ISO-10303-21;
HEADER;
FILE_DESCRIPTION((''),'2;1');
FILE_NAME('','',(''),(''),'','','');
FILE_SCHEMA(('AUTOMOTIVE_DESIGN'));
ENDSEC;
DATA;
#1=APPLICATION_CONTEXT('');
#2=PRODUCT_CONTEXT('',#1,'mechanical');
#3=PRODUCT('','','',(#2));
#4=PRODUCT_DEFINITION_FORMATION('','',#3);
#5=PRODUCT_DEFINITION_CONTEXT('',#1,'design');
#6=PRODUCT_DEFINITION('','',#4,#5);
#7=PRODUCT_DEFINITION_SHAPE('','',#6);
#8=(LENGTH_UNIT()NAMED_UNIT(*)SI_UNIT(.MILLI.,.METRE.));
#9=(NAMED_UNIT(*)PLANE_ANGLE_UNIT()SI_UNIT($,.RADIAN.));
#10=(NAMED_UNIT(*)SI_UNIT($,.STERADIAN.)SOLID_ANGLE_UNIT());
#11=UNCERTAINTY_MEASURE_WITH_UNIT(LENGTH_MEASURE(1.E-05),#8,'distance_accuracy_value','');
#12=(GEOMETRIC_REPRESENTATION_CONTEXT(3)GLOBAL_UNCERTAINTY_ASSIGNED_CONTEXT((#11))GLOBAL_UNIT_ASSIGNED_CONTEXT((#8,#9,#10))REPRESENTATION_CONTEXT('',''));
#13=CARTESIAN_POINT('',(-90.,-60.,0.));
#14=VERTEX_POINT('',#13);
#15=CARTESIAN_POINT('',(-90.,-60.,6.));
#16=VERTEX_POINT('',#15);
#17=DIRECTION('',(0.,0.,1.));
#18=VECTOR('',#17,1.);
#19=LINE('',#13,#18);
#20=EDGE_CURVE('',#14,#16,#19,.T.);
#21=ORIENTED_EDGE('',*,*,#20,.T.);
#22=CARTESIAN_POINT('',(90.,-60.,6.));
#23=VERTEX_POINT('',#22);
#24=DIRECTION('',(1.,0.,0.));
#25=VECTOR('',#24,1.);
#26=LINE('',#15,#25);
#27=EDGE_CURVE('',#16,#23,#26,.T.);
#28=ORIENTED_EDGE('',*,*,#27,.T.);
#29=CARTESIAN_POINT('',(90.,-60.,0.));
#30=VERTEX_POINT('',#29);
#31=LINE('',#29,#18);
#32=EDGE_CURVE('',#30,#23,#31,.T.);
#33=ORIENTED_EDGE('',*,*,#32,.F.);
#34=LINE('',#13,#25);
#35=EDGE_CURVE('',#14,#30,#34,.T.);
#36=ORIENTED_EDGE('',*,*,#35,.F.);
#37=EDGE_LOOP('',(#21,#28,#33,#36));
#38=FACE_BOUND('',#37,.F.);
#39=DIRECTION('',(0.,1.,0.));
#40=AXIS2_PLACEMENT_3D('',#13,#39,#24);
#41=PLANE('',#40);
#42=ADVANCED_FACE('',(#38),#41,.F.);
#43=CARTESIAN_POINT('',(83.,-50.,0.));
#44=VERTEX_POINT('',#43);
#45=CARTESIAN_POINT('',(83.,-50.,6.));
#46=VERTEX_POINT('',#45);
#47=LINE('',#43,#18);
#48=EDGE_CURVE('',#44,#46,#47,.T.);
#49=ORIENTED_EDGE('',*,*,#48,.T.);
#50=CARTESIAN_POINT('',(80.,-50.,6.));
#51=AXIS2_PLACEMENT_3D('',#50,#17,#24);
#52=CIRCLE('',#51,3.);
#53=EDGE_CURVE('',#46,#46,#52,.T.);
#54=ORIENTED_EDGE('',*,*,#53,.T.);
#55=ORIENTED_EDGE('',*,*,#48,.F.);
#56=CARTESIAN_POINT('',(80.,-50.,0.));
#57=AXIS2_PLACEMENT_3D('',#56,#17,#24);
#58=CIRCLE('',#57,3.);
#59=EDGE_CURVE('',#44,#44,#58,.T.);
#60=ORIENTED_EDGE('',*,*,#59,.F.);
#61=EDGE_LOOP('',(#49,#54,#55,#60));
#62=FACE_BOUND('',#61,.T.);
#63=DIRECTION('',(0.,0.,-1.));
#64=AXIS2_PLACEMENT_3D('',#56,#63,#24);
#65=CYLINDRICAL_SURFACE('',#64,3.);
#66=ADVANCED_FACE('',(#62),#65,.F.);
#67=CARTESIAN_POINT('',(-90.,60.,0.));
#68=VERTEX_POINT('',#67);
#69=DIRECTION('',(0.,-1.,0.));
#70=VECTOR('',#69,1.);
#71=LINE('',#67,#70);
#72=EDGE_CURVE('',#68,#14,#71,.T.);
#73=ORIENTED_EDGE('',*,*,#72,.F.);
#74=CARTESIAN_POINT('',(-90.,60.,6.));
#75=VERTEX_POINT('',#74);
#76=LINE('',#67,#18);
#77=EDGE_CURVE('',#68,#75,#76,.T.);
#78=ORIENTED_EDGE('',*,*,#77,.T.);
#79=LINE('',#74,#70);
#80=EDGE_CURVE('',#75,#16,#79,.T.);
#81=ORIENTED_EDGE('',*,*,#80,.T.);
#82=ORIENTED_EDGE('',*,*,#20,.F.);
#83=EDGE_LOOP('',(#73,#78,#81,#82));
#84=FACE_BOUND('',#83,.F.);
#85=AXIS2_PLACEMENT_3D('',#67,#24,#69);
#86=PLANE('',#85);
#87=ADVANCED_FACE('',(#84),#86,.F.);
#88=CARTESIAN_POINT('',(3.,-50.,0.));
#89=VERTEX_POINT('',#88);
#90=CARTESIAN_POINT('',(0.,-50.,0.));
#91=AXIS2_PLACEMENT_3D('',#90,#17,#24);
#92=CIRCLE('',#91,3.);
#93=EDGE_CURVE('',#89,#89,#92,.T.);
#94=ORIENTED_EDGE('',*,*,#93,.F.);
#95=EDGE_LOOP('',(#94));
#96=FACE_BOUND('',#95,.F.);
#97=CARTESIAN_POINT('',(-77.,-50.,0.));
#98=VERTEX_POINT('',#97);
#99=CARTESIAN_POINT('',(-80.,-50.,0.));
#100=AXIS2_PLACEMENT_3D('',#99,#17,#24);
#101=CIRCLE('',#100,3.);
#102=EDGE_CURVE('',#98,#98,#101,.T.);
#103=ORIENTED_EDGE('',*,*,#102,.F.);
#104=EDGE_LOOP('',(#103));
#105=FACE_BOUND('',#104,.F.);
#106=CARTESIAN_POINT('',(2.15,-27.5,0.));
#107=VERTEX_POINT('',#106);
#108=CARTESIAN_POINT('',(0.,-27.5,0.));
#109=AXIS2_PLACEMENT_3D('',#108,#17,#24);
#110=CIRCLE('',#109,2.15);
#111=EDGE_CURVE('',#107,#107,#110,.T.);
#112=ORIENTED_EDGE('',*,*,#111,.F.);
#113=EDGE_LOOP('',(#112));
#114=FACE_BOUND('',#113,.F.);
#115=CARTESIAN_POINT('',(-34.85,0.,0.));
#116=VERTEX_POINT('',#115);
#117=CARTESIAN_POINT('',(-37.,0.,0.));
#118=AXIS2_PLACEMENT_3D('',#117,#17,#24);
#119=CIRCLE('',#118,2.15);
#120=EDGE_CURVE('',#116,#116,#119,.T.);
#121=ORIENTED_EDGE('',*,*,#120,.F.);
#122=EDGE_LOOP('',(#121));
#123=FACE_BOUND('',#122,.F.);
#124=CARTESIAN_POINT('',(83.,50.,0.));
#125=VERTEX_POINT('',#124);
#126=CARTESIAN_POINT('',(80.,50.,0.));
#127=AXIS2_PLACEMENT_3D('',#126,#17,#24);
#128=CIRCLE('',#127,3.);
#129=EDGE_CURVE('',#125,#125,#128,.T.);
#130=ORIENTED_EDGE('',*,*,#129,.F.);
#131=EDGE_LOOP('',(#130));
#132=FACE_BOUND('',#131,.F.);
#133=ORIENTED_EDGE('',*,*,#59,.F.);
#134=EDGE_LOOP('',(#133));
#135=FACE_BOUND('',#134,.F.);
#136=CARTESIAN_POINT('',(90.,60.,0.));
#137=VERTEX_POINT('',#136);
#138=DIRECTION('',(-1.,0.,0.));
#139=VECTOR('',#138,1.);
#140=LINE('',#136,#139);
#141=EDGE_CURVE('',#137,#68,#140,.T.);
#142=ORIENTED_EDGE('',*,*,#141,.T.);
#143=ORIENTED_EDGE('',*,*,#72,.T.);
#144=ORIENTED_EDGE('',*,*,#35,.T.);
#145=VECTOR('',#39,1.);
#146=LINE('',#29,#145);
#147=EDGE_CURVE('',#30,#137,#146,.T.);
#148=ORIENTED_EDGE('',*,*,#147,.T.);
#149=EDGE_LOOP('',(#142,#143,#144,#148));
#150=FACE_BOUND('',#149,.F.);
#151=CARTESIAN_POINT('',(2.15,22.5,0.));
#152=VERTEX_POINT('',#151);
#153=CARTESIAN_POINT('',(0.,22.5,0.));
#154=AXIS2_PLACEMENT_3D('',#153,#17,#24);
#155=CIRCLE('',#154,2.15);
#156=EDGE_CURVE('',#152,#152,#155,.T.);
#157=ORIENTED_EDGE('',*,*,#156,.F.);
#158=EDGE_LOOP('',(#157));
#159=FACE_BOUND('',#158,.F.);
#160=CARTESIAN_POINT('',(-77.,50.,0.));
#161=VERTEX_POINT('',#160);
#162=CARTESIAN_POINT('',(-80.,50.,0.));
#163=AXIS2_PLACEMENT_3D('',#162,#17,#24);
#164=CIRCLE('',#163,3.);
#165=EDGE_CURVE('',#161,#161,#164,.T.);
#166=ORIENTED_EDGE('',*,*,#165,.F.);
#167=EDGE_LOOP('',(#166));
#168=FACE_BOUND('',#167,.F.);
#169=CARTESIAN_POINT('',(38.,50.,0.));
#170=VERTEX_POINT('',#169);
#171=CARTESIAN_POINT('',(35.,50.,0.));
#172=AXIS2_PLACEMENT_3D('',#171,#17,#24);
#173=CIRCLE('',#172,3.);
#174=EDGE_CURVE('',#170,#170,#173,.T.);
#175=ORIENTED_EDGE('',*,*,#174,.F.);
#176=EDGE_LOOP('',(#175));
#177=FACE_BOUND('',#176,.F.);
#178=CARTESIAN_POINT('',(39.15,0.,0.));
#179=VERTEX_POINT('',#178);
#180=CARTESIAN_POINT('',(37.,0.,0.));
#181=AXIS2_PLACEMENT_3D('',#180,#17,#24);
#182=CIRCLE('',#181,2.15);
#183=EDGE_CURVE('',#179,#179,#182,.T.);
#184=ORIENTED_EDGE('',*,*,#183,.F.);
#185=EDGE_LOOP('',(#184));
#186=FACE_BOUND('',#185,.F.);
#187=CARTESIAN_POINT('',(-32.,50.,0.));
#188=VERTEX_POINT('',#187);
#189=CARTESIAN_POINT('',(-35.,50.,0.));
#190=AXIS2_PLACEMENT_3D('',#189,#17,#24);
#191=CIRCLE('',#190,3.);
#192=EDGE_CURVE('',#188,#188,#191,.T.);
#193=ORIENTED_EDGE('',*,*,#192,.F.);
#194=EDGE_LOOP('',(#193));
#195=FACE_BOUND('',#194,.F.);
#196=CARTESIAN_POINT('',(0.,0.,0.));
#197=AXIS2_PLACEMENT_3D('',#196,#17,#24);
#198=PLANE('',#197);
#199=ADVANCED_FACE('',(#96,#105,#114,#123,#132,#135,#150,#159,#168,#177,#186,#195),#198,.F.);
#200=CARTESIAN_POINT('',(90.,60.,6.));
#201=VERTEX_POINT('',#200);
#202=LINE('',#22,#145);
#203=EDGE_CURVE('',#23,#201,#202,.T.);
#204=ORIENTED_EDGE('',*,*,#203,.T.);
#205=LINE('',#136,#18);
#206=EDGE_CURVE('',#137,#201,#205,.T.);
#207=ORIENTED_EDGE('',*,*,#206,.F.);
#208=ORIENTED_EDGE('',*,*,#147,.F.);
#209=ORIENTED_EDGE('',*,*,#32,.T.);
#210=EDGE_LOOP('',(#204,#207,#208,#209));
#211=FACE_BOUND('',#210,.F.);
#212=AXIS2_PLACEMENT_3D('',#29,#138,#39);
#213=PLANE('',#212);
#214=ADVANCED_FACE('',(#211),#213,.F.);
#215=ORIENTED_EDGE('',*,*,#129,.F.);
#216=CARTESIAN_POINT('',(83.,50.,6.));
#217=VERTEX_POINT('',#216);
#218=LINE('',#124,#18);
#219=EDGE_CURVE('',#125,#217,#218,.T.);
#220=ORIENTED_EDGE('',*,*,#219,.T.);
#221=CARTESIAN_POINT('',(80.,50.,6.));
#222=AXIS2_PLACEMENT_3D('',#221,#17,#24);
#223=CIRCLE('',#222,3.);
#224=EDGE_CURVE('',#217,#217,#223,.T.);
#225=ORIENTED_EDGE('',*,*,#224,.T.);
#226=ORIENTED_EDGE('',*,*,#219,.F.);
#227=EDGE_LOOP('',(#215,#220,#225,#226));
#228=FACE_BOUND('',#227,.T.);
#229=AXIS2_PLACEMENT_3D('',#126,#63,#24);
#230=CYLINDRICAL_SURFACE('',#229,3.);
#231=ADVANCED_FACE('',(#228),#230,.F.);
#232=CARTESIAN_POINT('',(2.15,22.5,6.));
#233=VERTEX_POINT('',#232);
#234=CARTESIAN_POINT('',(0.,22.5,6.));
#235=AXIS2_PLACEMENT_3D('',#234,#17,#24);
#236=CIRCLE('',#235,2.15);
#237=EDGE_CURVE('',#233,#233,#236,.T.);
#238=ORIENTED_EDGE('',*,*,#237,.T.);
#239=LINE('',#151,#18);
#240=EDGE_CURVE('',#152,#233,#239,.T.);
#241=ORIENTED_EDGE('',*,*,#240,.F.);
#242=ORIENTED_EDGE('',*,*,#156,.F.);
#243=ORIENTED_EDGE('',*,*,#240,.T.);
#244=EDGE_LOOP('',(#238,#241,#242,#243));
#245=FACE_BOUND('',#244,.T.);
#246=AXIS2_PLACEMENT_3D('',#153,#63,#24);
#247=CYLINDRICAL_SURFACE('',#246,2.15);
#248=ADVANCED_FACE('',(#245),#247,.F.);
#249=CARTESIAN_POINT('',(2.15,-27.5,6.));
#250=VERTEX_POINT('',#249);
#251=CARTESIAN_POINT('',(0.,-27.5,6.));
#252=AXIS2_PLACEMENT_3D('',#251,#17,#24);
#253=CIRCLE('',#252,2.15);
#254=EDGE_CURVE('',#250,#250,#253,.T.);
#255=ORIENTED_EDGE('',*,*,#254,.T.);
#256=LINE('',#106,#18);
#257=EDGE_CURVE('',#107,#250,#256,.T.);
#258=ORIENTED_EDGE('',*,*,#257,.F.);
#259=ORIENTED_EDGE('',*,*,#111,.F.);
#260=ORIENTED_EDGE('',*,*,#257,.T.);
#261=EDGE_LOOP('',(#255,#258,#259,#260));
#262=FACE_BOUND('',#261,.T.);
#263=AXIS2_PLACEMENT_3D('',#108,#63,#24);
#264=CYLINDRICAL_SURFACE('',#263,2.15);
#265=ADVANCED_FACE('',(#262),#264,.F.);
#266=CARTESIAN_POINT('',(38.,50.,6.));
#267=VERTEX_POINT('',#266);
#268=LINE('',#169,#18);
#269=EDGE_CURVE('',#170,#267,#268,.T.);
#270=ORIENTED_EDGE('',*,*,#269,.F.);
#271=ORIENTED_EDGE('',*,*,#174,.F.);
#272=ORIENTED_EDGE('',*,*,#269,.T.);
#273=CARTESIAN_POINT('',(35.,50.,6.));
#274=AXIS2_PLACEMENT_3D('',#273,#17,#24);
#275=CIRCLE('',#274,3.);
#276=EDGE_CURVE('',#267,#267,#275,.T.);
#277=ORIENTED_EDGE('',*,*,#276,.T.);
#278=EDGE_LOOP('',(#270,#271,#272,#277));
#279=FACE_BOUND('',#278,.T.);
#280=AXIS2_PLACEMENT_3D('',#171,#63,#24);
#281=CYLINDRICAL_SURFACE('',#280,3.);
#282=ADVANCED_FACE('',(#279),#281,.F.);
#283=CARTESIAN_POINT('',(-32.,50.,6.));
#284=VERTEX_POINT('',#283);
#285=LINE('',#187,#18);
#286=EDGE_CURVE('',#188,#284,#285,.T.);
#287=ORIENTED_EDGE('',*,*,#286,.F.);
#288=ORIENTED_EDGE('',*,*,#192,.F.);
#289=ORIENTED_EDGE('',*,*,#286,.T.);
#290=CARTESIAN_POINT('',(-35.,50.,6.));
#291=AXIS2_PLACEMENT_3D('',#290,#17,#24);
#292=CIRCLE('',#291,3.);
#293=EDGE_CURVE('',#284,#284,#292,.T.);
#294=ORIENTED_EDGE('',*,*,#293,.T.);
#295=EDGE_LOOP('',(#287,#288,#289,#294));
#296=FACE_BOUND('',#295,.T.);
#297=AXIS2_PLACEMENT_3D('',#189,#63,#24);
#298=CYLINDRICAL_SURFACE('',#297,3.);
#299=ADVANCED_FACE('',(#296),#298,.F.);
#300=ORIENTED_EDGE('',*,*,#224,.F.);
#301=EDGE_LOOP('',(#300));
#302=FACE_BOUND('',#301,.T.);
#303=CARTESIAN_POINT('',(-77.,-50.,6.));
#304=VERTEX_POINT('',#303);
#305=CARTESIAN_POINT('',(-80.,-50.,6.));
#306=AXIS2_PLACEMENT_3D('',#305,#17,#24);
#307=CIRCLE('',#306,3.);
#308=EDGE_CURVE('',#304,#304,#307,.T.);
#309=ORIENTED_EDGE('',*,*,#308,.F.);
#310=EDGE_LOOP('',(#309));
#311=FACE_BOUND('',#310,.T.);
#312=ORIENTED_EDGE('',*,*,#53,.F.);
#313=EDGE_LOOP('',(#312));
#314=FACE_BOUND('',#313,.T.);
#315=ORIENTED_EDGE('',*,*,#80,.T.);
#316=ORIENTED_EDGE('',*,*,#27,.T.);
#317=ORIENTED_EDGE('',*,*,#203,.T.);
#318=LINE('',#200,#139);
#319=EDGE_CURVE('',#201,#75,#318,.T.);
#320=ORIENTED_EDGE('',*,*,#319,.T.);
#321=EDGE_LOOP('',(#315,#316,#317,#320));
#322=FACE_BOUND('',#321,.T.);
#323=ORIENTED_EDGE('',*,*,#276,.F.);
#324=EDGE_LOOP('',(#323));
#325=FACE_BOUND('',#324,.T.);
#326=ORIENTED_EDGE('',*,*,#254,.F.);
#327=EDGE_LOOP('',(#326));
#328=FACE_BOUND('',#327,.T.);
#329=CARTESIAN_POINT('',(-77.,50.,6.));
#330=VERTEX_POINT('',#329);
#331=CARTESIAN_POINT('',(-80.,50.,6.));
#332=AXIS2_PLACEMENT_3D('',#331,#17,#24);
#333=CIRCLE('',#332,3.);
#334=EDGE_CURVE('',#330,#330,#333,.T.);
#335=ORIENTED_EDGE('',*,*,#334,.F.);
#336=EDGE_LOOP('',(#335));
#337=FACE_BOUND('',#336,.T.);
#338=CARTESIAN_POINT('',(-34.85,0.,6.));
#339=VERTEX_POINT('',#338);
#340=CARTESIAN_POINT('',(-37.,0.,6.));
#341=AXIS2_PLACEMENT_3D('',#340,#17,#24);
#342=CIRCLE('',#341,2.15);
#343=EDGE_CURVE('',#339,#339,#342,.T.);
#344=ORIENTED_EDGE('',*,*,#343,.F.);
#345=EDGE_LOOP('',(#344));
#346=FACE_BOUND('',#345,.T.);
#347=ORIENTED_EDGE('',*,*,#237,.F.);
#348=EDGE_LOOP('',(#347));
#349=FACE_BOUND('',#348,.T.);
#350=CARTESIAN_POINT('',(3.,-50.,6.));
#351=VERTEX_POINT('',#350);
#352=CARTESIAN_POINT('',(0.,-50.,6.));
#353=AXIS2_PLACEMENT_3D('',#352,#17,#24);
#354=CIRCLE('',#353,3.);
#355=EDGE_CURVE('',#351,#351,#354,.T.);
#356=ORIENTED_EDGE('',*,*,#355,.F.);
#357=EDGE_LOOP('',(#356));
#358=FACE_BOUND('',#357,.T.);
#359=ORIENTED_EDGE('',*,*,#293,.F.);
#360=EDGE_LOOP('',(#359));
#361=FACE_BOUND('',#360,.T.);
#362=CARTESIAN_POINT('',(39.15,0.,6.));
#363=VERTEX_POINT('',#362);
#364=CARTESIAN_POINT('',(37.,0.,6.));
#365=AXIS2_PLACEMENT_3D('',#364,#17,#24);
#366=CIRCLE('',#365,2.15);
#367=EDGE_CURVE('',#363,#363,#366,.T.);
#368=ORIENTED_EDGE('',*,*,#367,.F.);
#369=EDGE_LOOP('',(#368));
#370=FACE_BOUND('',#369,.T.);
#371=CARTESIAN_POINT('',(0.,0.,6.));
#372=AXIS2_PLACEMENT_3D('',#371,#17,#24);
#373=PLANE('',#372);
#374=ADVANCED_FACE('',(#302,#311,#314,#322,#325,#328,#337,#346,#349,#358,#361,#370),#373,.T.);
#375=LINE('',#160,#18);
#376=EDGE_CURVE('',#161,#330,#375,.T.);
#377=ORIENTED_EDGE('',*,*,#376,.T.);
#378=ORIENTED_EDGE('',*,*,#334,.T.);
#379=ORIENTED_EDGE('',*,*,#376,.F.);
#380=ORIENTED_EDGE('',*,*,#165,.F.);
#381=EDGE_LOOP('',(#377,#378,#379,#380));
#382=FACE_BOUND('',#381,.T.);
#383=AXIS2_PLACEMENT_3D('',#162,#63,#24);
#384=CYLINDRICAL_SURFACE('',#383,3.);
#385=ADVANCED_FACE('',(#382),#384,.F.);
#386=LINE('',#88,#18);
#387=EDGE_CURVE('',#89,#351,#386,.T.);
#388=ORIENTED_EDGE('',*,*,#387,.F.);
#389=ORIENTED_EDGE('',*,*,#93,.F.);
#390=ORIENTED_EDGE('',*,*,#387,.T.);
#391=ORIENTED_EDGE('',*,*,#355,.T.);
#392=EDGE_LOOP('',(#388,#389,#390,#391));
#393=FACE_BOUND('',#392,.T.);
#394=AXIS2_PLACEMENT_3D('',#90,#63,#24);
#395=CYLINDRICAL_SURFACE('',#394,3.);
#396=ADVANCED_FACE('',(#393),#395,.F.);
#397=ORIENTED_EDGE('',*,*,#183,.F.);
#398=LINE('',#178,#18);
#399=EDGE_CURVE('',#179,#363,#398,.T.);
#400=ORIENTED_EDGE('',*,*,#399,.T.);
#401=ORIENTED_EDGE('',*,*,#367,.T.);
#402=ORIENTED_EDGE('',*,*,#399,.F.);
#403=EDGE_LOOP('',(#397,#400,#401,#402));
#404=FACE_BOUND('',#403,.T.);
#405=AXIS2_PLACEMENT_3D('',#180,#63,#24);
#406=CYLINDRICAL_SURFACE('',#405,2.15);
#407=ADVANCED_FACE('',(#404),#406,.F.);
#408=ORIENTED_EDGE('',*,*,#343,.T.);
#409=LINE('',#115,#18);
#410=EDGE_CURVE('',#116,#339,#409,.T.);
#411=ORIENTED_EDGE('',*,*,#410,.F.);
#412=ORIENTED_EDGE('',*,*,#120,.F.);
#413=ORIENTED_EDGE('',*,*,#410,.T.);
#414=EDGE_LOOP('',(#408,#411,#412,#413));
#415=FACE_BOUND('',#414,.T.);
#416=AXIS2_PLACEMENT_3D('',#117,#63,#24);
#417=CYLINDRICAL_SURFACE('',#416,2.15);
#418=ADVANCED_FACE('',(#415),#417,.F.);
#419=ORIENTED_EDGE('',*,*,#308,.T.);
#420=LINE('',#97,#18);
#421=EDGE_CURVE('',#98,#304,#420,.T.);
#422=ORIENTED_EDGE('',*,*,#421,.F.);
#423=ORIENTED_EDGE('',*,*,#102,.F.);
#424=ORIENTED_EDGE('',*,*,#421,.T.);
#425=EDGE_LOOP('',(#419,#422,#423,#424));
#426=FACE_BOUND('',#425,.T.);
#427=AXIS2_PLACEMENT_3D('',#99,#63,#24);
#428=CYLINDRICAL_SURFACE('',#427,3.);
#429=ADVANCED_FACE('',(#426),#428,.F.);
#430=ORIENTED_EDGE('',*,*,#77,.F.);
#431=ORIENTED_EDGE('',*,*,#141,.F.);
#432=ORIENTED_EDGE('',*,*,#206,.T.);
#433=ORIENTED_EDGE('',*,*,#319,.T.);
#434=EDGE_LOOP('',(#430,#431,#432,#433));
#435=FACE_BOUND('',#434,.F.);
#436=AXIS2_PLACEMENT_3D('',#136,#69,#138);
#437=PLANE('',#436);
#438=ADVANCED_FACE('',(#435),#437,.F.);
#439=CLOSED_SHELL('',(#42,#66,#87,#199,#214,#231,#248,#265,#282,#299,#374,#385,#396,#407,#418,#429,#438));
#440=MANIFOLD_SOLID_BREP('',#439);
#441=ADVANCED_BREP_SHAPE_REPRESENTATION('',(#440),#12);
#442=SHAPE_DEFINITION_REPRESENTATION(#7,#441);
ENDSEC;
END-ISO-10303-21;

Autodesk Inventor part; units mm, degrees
ref_plane "YZ Plane" through (0, 0, 0) normal (1, 0, 0) x (0, 1, 0)
ref_plane "XZ Plane" through (0, 0, 0) normal (0, 1, 0) x (-1, 0, 0)
ref_plane "XY Plane" through (0, 0, 0) normal (0, 0, 1) x (1, 0, 0)
sketch "Sketch1" plane through (0, 0, 0) normal (0, 0, 1) x (1, 0, 0)
  line L0 (-70, 40) -> (70, 40) construction
  line L1 (70, 40) -> (70, -40) construction
  line L2 (70, -40) -> (-70, -40) construction
  line L3 (-70, -40) -> (-70, 40) construction
  line L4 (90, 60) -> (-90, 60)
  line L5 (-90, 60) -> (-90, -60)
  line L6 (-90, -60) -> (90, -60)
  line L7 (90, -60) -> (90, 60)
  circle A0 centre (-80, -50) radius 3
  circle A1 centre (80, 50) radius 3
  circle A2 centre (0, -50) radius 3
  circle A3 centre (80, -50) radius 3
  circle A4 centre (-80, 50) radius 3
  line L8 (0, 60) -> (0, -60) construction
  line L9 (-90, 0) -> (90, 0) construction
  circle A5 centre (-35, 50) radius 3
  circle A6 centre (35, 50) radius 3
  circle A7 centre (0, 22.5) radius 2.15
  circle A8 centre (0, -27.5) radius 2.15
  circle A9 centre (37, 0) radius 2.15
  circle A10 centre (-37, 0) radius 2.15
  point P0 (0, 0)
  point P1 (-70, 0)
  point P2 (0, 40)
  point P3 (0, 0)
  dimension "d0" = 140
  dimension "d1" = 80
  dimension "d2" = 20
  dimension "d3" = 6
  dimension "d4" = 10
  dimension "d5" = 10
  dimension "d8" = 35
  dimension "d9" = 4.3
  dimension "d10" = 74
  dimension "d11" = 50
  dimension "d12" = 27.5
extrude "Extrusion1" add sketch "Sketch1" along normal blind 6
properties part number "top"
